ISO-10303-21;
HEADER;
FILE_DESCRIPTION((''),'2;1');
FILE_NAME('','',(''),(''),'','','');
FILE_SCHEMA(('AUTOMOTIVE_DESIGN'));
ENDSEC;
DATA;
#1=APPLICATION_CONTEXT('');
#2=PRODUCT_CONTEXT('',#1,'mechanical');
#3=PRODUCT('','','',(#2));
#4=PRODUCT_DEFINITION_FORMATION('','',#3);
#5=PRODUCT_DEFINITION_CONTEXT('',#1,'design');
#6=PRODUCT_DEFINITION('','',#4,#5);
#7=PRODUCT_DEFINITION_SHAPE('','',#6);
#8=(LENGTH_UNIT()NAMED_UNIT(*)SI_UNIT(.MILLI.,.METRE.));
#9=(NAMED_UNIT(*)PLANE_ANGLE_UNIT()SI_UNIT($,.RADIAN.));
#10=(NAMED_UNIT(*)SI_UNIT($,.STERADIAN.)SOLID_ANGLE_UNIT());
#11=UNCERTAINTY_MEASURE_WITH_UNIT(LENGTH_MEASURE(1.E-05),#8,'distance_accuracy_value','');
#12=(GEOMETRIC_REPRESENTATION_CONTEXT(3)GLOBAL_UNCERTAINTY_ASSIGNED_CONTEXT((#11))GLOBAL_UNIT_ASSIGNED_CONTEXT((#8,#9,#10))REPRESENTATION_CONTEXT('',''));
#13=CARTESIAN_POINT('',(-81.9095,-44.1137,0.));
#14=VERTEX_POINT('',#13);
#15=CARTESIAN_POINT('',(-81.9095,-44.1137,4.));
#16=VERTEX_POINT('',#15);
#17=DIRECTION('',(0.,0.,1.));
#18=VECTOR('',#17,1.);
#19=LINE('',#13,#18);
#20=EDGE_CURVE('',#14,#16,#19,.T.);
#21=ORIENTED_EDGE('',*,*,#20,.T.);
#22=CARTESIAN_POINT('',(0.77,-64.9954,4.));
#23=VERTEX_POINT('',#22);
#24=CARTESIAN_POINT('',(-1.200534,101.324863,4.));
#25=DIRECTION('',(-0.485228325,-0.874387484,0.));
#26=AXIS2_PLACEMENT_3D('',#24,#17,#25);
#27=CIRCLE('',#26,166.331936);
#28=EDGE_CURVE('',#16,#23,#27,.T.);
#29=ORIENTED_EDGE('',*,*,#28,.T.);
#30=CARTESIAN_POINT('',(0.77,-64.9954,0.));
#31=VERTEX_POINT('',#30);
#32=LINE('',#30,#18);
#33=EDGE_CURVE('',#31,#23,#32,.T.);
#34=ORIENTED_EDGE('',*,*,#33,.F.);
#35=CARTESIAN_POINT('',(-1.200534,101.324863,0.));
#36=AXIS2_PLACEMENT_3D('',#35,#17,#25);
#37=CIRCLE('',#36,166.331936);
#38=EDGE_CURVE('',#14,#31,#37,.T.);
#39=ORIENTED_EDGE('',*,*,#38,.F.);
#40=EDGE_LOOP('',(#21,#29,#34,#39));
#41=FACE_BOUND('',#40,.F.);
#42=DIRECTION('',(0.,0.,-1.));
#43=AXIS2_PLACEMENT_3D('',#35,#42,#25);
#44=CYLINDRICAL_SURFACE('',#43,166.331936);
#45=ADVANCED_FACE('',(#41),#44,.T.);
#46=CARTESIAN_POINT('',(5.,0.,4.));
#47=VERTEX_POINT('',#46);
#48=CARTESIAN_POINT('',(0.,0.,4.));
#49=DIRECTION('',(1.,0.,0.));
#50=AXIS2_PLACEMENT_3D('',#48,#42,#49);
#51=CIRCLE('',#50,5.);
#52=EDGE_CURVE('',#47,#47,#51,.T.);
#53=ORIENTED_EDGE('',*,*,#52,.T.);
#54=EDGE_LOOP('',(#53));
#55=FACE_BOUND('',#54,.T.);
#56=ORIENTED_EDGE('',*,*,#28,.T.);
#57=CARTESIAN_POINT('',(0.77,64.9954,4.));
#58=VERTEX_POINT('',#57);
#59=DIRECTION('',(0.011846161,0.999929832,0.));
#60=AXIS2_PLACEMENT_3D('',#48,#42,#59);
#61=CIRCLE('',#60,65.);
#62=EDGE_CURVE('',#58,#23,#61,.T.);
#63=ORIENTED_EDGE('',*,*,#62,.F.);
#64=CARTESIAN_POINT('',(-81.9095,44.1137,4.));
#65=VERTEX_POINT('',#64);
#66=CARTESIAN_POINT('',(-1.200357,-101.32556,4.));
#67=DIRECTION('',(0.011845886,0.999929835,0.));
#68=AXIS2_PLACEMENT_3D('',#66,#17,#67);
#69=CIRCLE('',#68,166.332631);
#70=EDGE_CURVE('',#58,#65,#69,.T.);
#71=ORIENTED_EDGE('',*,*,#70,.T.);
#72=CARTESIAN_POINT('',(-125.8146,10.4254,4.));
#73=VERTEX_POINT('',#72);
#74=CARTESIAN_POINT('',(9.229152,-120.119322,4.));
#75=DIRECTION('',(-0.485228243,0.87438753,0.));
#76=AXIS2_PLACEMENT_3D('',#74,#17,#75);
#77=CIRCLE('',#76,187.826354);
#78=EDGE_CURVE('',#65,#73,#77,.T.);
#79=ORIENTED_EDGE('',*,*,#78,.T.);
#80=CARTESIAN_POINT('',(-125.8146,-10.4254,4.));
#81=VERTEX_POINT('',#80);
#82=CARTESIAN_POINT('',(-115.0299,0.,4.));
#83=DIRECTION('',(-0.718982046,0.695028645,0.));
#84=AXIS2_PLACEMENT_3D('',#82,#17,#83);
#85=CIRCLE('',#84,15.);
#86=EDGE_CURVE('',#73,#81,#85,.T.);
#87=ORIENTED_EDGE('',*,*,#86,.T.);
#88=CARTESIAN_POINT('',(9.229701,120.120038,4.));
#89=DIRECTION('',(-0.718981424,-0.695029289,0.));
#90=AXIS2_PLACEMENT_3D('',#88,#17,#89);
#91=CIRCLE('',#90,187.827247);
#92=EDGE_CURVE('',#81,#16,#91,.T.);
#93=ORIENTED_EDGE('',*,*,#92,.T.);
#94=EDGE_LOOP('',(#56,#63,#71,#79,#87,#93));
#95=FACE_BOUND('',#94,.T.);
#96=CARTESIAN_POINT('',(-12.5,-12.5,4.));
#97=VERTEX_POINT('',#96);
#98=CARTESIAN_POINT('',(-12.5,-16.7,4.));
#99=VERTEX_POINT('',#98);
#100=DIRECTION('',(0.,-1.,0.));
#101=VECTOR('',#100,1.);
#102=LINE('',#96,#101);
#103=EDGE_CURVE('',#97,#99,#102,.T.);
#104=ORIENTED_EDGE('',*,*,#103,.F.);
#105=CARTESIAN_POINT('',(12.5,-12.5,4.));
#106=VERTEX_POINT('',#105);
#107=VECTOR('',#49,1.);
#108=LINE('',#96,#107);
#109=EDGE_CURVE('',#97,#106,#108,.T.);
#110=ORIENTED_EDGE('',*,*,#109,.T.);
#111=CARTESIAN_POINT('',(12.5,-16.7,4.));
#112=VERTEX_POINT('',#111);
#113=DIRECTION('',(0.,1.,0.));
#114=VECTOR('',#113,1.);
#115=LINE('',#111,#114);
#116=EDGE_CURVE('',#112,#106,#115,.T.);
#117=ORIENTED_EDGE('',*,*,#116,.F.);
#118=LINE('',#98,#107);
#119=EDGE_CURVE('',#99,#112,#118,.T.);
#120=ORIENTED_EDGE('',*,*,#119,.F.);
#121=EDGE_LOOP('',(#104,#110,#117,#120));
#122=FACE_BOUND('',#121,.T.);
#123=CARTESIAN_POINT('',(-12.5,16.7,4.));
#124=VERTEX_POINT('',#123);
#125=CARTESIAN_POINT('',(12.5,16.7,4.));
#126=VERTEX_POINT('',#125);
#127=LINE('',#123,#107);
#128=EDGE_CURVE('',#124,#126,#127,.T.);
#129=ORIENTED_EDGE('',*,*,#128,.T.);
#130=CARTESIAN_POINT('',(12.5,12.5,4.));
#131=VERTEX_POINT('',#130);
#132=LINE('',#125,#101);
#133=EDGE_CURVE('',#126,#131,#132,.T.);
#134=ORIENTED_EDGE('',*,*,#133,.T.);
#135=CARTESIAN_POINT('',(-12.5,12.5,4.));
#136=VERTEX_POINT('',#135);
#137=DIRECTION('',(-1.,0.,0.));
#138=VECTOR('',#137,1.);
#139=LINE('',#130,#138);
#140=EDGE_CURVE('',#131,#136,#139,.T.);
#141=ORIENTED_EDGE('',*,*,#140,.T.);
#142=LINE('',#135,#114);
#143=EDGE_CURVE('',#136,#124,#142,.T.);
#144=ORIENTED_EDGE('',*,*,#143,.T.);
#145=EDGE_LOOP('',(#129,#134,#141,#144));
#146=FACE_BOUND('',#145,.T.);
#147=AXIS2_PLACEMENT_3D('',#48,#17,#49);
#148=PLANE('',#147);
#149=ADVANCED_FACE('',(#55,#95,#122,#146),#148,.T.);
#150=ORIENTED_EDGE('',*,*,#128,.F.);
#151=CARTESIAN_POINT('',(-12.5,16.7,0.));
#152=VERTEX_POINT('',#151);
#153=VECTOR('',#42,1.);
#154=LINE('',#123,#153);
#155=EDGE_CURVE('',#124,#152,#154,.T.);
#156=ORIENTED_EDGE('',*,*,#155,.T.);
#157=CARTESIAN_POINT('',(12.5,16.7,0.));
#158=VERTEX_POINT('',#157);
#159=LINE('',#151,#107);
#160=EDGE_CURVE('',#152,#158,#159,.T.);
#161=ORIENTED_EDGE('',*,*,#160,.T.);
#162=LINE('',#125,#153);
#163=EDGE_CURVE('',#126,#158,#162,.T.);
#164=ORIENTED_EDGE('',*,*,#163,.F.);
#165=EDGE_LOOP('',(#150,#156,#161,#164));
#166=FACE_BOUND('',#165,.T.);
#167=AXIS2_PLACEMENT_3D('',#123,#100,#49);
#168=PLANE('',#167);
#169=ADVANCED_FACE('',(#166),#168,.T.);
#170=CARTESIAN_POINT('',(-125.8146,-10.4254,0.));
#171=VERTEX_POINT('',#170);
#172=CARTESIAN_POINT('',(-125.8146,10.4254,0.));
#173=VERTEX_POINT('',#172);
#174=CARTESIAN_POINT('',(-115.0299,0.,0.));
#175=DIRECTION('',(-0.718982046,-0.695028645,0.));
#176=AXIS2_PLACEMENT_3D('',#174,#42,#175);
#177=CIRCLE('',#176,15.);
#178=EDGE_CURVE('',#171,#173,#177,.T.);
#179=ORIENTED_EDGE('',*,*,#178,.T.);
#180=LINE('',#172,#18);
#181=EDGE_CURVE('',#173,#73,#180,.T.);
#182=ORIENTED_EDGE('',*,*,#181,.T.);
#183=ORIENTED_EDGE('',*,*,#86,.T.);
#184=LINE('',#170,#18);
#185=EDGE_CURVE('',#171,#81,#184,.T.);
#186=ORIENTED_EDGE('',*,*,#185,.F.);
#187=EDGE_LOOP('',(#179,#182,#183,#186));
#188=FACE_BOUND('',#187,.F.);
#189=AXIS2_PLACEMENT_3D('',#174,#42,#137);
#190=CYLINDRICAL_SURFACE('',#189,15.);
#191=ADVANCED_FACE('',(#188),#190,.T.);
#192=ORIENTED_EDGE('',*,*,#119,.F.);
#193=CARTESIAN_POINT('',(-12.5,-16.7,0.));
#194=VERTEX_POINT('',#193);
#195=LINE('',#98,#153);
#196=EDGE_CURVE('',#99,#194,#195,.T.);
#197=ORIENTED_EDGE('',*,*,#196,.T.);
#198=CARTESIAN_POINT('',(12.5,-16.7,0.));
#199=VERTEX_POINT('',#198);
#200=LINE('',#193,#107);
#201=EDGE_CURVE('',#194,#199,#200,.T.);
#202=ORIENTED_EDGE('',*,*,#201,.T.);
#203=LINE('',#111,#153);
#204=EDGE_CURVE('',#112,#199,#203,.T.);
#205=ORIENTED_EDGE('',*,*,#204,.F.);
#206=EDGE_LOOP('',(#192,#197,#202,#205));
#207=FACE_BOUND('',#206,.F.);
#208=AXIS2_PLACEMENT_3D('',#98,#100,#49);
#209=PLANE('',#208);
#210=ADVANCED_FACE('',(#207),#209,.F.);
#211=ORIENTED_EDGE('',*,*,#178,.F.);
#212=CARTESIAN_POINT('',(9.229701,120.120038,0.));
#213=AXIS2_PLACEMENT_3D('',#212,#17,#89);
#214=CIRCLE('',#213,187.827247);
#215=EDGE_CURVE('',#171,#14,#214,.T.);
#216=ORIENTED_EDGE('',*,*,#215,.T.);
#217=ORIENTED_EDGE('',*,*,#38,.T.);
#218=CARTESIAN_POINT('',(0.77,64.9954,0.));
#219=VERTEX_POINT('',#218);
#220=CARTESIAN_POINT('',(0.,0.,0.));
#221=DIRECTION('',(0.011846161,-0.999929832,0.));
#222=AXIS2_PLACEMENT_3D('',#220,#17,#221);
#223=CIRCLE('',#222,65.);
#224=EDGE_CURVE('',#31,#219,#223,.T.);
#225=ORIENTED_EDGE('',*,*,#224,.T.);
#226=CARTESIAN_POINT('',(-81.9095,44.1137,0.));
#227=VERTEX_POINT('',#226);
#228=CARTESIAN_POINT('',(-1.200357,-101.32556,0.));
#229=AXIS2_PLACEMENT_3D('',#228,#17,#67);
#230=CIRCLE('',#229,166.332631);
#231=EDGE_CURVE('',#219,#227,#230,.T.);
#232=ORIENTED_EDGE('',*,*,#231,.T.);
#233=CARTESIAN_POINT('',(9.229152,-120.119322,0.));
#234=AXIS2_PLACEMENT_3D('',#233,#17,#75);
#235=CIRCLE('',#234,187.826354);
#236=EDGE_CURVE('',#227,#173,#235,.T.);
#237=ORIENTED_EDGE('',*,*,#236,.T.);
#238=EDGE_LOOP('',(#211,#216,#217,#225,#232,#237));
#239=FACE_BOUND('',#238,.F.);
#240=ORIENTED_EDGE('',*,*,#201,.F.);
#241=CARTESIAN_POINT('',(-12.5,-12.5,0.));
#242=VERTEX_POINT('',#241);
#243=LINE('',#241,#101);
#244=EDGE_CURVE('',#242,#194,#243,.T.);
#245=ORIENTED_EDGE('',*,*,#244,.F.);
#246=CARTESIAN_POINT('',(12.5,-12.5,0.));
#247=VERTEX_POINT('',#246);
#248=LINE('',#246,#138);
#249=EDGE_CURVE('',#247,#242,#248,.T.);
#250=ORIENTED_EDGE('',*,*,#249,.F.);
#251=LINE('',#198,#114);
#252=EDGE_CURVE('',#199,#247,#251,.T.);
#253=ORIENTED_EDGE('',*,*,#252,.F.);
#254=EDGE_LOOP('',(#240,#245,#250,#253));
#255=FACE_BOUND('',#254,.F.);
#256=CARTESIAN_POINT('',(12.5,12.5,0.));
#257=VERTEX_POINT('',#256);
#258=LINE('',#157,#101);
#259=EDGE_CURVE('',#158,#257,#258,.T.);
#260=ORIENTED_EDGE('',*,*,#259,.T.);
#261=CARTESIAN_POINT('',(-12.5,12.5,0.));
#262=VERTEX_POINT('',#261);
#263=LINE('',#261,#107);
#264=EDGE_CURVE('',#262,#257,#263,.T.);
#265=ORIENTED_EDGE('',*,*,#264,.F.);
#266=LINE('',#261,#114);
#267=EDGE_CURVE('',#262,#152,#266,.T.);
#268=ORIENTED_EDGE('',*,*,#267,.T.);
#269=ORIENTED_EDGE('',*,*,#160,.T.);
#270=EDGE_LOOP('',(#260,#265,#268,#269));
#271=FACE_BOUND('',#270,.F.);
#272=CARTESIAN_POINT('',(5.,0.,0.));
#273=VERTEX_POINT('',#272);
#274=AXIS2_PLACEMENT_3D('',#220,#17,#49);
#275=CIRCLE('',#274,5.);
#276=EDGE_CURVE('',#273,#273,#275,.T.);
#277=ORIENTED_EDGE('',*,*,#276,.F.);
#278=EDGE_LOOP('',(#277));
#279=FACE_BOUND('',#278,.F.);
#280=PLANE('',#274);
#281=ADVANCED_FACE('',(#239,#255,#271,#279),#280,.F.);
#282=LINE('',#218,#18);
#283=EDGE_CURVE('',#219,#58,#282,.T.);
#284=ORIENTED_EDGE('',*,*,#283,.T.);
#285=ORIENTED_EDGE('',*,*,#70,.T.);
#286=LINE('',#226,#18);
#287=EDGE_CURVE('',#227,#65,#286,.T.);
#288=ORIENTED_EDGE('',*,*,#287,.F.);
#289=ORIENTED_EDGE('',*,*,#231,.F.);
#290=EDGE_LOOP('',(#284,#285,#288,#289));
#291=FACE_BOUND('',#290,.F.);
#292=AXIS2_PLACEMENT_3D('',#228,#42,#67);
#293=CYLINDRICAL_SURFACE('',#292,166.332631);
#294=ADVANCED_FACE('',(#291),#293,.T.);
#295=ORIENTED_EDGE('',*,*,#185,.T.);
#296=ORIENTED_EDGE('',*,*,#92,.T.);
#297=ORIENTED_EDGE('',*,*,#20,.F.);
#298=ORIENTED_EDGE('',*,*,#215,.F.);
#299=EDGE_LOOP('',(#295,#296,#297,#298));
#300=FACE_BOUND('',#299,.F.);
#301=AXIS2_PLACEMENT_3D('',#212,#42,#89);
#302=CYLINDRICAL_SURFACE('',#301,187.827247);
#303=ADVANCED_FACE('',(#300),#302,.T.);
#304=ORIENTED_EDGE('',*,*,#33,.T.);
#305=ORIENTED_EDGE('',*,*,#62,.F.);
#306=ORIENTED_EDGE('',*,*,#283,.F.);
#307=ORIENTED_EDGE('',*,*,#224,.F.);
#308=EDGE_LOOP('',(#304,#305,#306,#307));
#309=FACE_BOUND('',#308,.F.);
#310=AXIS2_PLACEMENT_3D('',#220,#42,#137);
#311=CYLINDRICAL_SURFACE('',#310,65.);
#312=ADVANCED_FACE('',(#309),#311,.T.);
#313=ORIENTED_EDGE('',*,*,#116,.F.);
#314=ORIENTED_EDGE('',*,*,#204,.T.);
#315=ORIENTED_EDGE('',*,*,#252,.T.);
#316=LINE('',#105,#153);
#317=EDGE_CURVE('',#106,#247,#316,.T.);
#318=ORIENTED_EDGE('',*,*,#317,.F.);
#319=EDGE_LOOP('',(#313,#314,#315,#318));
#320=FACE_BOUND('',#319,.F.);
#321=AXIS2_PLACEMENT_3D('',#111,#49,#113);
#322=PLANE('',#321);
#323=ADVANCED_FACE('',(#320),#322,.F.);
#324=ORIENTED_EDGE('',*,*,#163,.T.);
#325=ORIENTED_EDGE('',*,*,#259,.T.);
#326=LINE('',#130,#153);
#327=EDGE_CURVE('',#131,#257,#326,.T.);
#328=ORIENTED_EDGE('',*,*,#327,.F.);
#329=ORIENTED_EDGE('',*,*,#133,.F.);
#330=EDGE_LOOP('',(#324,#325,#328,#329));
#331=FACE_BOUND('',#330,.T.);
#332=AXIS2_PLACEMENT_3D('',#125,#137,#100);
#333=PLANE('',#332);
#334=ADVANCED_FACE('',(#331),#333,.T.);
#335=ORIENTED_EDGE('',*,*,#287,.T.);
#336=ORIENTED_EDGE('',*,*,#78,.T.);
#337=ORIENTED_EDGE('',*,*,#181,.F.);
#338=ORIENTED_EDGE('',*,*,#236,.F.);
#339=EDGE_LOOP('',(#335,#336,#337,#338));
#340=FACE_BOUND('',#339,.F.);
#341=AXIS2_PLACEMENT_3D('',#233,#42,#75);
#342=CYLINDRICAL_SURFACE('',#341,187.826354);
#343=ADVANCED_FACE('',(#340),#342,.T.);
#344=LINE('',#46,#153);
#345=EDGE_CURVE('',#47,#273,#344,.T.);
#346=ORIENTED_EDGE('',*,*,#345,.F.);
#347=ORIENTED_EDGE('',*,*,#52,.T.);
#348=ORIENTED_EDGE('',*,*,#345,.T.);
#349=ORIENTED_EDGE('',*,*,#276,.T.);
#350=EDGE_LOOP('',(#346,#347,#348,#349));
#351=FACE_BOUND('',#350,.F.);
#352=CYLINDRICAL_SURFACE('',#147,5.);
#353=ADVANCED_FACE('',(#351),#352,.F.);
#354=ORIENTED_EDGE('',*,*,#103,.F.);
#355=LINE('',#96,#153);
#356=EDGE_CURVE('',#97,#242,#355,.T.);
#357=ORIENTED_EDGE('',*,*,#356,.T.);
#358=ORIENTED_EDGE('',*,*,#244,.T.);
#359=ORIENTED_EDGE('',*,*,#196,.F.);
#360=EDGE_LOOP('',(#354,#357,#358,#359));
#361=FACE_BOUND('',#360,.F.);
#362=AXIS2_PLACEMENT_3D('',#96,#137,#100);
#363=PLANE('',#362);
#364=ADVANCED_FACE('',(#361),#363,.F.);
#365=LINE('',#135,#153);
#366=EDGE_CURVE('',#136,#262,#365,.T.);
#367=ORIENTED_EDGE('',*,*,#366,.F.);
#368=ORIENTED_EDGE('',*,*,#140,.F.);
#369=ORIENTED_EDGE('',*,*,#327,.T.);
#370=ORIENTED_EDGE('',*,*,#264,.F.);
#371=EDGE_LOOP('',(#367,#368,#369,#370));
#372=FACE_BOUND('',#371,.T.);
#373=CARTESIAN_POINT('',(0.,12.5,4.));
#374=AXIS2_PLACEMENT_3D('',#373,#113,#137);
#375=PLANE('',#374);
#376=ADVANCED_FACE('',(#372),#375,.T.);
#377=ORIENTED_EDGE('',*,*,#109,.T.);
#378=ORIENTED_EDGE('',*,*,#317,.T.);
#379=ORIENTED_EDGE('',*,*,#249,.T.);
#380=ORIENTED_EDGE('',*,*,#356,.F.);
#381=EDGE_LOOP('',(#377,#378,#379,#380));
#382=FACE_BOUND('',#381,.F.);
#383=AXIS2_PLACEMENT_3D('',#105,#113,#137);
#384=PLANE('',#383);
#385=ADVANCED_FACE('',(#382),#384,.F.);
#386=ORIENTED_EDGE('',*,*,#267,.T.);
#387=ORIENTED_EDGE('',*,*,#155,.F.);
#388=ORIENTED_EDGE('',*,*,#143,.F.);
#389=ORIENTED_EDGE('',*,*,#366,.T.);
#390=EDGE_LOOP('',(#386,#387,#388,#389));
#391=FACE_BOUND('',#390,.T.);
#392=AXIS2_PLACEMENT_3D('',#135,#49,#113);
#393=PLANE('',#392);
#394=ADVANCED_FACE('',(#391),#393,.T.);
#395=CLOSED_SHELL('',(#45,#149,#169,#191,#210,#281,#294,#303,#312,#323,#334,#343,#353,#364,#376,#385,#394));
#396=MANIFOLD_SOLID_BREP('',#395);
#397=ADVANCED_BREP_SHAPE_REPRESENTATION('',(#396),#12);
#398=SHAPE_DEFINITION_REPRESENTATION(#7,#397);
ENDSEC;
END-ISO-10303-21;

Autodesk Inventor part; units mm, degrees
ref_plane "YZ Plane" through (0, 0, 0) normal (1, 0, 0) x (0, 1, 0)
ref_plane "XZ Plane" through (0, 0, 0) normal (0, 1, 0) x (-1, 0, 0)
ref_plane "XY Plane" through (0, 0, 0) normal (0, 0, 1) x (1, 0, 0)
sketch "Boceto1" plane through (0, 0, 0) normal (0, 0, 1) x (1, 0, 0)
  arc A0 (65, 0) -> (-65, 0) centre (0, 0) ccw
  arc A1 (-100.0299, 0) -> (-130.0299, 0) centre (-115.0299, 0) ccw
  line L0 (-134.3728, 0) -> (-134.3728, 15)
  line L1 (0.77, 64.9954) -> (0.77, 89.9954)
  line L2 (0.77, 89.9954) -> (-134.3728, 15)
  line L3 (-134.3728, 15) -> (-81.9095, 44.1137)
  arc A2 (0.77, 64.9954) -> (-81.9095, 44.1137) centre (-1.2004, -101.3252) ccw
  arc A3 (-81.9095, 44.1137) -> (-125.8146, 10.4254) centre (9.2294, -120.1197) ccw
  line L4 (5, 0) -> (65, 0)
  line L5 (-5, 0) -> (-134.3728, 0)
  arc A4 (-65, 0) -> (65, 0) centre (0, 0) ccw
  arc A5 (-130.0299, 0) -> (-100.0299, 0) centre (-115.0299, 0) ccw
  line L6 (-134.3728, 0) -> (-134.3728, -15)
  line L7 (0.77, -64.9954) -> (0.77, -89.9954)
  line L8 (0.77, -89.9954) -> (-134.3728, -15)
  line L9 (-134.3728, -15) -> (-81.9095, -44.1137)
  arc A6 (-81.9095, -44.1137) -> (0.77, -64.9954) centre (-1.2004, 101.3252) ccw
  arc A7 (-125.8146, -10.4254) -> (-81.9095, -44.1137) centre (9.2294, 120.1197) ccw
  dimension "d0" = 130
  dimension "d6" = 30
  dimension "d7" = 15
  dimension "d8" = 25
  dimension "d9" = 60
extrude "Extrusión2" add sketch "Boceto1" along normal blind 4 contours A4 A0 | A0 L5 A1 A3 A2 | A6 A7 A5 L5 A4 | L5 A1 | A5 L5
sketch "Boceto2" plane through (0, 0, 4) normal (0, 0, 1) x (1, 0, 0)
  line L0 (0, 0) -> (0, 12.5)
  line L1 (0, 12.5) -> (-12.5, 12.5)
  line L2 (-12.5, 12.5) -> (-12.5, 16.7)
  line L3 (-12.5, 16.7) -> (12.5, 16.7)
  line L4 (12.5, 16.7) -> (12.5, 12.5)
  line L5 (12.5, 12.5) -> (0, 12.5)
  line L6 (0, 0) -> (12.5, 0)
  line L7 (0, 0) -> (0, -12.5)
  line L8 (0, -12.5) -> (-12.5, -12.5)
  line L9 (-12.5, -12.5) -> (-12.5, -16.7)
  line L10 (-12.5, -16.7) -> (12.5, -16.7)
  line L11 (12.5, -16.7) -> (12.5, -12.5)
  line L12 (12.5, -12.5) -> (0, -12.5)
  circle A0 centre (0, 0) radius 5
  dimension "d24" = 12.5
  dimension "d25" = 12.5
  dimension "d26" = 4.2
  dimension "d27" = 25
  dimension "d28" = 10
extrude "Extrusión3" cut sketch "Boceto2" against normal blind 4
properties part number "leva00" material "Madera (abedul)"
